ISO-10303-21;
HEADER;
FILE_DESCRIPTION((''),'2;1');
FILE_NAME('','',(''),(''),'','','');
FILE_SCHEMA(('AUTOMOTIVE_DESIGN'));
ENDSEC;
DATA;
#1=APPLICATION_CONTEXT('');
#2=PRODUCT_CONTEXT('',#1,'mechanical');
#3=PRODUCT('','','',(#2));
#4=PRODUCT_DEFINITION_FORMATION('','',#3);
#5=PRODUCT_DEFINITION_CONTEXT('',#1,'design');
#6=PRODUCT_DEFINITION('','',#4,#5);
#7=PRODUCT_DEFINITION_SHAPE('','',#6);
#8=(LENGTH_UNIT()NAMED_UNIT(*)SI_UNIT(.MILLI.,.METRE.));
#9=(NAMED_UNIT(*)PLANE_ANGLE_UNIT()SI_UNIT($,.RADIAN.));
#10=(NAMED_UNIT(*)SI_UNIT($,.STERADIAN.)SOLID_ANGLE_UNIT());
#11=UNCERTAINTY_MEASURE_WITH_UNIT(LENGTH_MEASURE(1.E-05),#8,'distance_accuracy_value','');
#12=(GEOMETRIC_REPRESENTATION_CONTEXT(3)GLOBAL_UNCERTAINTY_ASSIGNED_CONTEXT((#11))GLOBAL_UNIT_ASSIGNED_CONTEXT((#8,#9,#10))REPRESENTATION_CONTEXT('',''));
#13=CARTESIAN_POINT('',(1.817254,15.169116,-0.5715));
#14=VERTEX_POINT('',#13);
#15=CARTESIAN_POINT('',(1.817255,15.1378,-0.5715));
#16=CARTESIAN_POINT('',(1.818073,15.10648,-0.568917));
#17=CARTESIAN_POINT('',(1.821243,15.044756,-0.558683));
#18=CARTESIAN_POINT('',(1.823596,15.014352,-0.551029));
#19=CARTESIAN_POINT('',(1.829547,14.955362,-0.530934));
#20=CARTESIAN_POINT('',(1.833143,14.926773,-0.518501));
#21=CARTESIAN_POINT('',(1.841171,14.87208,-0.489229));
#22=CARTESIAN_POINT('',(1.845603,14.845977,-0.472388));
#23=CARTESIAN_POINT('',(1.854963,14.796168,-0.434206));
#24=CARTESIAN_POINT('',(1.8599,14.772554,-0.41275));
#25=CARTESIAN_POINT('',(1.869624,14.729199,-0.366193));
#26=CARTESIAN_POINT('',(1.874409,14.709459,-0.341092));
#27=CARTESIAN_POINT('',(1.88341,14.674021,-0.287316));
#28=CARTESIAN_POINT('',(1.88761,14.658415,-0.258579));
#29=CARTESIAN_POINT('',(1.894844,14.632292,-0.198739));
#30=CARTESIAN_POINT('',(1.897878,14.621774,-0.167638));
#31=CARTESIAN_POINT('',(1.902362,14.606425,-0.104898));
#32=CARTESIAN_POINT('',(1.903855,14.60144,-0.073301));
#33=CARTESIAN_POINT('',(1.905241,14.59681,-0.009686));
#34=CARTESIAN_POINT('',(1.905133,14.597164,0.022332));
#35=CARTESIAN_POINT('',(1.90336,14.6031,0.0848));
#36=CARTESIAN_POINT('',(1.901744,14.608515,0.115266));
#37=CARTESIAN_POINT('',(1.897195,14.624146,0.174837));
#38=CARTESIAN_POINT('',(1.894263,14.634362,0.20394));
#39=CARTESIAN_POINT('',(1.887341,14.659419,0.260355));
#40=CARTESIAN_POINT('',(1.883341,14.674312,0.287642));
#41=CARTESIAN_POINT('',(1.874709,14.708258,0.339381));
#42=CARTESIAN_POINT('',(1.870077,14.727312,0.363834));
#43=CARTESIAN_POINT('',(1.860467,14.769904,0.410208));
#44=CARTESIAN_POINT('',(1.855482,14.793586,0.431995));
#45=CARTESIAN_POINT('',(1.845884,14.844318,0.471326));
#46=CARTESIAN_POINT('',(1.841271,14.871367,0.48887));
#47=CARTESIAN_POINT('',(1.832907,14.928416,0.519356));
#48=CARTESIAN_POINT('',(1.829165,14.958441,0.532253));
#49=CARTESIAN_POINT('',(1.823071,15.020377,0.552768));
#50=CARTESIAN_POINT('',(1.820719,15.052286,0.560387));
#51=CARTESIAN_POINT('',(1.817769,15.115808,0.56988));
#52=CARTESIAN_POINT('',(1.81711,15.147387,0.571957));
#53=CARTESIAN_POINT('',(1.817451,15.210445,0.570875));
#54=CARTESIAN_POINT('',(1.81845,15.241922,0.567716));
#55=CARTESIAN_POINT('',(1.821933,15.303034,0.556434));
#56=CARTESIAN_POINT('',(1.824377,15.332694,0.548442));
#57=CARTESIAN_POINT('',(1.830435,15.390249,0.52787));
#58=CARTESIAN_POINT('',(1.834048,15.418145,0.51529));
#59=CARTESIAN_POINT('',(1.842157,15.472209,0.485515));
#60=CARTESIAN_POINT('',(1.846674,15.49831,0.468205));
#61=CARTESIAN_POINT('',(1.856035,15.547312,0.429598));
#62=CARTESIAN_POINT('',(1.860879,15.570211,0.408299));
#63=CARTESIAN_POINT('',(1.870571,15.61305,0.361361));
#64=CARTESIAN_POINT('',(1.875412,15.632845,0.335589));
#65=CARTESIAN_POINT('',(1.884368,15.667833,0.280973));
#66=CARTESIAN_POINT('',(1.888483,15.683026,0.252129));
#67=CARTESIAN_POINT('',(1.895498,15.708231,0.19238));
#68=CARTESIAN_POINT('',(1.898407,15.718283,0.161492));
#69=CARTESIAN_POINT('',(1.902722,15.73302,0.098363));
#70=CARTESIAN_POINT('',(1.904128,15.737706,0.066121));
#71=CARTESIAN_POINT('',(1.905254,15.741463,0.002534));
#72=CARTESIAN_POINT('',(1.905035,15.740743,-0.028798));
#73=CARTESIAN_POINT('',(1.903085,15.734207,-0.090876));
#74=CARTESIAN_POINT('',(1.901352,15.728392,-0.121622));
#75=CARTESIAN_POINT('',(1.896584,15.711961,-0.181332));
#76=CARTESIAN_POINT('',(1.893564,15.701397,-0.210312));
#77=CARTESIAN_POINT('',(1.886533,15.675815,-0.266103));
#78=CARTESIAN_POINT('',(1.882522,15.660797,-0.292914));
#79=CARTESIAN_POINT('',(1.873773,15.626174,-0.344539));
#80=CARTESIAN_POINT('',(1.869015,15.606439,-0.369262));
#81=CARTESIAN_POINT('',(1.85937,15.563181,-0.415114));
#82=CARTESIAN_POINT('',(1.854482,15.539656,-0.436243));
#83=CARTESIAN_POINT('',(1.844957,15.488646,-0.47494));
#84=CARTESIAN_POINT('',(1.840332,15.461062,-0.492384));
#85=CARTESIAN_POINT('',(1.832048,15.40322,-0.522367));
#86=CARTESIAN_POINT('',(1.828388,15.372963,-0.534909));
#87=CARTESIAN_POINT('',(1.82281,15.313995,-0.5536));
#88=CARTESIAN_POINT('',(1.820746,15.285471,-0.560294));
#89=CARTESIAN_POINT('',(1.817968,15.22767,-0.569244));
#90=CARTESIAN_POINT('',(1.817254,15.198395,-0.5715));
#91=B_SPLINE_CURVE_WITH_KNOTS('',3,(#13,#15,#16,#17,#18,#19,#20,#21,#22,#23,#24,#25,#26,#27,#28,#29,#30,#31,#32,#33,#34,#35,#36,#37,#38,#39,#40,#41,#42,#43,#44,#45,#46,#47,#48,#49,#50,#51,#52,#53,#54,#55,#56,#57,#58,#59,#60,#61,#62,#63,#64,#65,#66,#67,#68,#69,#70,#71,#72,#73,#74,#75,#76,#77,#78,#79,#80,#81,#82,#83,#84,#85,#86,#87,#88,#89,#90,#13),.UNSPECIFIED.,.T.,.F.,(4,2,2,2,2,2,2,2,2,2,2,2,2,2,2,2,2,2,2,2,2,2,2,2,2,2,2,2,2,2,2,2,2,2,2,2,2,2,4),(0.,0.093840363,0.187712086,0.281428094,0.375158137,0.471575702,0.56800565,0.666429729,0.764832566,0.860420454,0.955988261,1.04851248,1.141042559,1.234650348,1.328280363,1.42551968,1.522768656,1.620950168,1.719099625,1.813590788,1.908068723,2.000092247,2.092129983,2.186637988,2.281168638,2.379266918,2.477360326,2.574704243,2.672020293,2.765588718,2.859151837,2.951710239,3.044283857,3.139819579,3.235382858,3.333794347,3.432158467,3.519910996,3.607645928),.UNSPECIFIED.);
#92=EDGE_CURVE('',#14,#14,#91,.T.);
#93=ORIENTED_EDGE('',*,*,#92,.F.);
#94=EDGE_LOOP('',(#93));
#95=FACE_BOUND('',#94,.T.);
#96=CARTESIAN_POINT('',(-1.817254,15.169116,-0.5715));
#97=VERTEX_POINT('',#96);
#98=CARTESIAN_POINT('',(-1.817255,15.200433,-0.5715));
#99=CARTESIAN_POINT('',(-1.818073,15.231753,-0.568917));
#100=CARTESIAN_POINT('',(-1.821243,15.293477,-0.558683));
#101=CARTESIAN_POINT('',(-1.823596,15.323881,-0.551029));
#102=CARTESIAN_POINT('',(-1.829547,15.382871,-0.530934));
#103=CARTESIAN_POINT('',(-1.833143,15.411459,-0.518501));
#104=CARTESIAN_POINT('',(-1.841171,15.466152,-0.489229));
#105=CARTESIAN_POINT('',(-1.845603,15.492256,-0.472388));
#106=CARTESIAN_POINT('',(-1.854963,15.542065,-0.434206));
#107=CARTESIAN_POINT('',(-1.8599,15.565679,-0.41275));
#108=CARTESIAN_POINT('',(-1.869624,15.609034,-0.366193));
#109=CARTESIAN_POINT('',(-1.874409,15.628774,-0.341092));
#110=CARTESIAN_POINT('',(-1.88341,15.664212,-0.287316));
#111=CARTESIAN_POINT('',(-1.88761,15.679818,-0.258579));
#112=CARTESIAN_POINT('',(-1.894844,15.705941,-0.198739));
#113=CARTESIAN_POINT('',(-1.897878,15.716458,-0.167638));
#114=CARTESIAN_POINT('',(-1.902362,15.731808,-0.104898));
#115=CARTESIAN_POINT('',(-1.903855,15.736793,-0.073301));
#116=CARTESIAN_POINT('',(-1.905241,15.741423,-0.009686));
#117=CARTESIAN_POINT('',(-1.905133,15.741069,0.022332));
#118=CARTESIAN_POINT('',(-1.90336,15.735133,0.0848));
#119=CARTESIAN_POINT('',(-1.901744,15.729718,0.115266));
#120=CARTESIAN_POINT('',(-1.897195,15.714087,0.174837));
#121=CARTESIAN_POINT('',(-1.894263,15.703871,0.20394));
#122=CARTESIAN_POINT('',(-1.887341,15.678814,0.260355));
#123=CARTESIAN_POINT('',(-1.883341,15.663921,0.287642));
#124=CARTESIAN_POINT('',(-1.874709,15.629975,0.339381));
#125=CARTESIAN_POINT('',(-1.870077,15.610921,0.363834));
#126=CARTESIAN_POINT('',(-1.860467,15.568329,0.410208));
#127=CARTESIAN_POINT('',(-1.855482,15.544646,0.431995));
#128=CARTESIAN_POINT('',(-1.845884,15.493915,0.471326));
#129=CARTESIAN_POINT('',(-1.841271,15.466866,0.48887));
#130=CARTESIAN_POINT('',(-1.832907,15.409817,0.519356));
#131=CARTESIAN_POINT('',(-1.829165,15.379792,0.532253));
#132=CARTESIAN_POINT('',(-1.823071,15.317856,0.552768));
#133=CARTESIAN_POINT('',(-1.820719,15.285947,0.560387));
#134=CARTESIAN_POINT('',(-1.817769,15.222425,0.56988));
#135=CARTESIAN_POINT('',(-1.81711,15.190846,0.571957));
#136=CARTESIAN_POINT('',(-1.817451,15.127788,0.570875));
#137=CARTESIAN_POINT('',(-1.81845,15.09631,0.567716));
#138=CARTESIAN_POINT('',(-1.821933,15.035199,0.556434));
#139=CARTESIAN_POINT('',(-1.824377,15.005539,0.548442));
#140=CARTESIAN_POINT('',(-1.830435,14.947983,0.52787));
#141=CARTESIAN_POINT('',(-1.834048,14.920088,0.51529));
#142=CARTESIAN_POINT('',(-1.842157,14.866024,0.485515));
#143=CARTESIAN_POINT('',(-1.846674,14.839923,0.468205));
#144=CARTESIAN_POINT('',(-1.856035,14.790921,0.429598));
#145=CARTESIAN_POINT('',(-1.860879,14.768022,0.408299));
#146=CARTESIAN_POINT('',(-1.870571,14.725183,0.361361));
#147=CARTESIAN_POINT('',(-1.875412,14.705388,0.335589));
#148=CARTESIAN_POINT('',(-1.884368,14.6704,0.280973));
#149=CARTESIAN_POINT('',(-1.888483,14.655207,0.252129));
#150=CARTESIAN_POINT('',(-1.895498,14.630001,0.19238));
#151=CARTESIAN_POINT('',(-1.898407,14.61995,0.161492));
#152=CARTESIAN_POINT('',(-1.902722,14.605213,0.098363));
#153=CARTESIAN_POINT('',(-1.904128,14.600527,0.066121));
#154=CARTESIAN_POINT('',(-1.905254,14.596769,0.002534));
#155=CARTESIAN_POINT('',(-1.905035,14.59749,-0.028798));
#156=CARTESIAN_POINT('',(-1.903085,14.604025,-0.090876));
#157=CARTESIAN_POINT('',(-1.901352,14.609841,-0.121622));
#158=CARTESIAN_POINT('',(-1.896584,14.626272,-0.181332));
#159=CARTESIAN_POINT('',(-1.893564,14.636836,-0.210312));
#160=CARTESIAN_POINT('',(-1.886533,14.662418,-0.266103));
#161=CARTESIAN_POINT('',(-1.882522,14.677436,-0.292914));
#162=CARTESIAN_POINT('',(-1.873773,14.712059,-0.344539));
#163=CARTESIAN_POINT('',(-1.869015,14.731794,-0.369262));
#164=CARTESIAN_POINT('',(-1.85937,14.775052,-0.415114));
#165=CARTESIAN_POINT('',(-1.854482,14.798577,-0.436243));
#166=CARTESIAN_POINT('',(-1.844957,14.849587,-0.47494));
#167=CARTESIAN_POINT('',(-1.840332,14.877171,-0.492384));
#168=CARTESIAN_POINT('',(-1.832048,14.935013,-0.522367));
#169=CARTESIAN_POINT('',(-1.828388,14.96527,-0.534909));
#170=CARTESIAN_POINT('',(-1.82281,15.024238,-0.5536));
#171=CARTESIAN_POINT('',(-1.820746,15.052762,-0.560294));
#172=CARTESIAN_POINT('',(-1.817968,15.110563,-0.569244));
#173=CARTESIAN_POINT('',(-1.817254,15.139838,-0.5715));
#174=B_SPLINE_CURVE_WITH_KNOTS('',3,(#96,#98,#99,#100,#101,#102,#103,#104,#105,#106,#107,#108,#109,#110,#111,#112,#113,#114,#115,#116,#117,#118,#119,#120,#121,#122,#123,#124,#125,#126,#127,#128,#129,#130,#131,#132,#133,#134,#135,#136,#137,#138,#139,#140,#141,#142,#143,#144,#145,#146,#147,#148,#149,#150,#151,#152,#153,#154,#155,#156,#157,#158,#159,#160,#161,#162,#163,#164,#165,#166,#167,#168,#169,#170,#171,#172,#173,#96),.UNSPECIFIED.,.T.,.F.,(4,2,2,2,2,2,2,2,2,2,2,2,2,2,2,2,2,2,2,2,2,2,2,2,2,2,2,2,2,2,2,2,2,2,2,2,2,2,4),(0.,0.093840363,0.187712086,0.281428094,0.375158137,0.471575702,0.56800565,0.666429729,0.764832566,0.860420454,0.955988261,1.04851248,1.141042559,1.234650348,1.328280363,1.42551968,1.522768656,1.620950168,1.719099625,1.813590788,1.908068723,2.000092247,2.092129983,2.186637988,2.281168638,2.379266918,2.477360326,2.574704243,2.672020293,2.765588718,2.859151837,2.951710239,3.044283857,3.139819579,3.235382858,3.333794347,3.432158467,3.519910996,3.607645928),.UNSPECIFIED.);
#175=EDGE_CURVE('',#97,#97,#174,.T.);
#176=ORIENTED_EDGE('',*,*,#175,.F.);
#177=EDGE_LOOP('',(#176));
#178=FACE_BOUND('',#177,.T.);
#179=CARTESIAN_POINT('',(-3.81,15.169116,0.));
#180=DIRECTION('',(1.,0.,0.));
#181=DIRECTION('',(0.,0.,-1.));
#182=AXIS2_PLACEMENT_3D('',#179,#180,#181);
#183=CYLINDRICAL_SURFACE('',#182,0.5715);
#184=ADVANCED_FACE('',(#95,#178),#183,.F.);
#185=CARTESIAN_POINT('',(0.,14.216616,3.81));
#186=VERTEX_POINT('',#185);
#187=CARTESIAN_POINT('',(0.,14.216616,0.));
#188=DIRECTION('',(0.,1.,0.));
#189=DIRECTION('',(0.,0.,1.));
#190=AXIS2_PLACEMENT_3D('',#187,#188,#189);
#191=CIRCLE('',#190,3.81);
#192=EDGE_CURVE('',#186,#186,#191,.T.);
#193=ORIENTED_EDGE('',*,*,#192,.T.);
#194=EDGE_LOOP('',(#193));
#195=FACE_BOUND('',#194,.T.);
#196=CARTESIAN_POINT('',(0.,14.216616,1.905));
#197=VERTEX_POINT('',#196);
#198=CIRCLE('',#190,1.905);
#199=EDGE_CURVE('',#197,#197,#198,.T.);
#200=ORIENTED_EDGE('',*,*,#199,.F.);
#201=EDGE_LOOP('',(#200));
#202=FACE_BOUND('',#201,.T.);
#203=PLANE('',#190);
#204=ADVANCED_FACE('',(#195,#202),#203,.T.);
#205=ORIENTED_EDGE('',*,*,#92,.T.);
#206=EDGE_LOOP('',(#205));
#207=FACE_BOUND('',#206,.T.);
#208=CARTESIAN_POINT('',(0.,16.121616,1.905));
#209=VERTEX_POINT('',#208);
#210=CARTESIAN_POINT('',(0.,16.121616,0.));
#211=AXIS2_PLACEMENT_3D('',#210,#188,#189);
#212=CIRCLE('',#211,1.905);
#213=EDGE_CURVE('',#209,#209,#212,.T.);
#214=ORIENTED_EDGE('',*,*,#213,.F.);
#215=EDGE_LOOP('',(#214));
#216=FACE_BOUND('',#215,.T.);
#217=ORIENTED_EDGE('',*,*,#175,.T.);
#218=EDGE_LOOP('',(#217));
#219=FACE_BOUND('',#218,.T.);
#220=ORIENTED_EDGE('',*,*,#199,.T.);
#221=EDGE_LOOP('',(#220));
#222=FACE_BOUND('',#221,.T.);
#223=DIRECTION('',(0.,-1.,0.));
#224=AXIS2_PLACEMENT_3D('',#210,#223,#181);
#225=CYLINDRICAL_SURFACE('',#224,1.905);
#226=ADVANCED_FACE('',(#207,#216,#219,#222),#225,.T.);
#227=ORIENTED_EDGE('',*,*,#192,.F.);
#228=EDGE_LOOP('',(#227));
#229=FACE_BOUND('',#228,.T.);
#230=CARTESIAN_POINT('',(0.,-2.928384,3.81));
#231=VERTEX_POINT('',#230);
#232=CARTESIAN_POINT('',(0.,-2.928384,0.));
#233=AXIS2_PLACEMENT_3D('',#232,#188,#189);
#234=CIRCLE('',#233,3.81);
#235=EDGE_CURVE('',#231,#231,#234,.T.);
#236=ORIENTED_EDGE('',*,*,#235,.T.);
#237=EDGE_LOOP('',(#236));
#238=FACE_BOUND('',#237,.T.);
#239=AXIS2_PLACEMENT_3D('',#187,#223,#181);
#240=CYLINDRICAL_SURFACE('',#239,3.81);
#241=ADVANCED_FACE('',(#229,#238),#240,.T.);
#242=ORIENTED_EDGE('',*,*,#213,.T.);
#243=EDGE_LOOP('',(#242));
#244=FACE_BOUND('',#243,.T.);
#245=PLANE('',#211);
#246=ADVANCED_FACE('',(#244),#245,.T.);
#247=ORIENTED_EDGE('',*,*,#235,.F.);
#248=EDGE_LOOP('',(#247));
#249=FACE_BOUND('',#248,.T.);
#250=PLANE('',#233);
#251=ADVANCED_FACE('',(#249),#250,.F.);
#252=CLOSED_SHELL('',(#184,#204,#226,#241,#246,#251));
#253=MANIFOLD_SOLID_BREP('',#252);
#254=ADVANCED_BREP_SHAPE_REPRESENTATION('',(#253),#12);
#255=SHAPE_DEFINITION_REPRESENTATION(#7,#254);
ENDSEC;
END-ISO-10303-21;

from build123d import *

# Parameters (mm, degrees)
SKETCH1_R               = 2.54
BOSS_EXTRUDE1_DEPTH     = 11.43
SKETCH2_R               = 1.27
BOSS_EXTRUDE2_DEPTH     = 1.27
CUT_EXTRUDE1_DEPTH      = 14.198227154
CUT_EXTRUDE1_DEPTH_BACK = 14.198227154
SKETCH3_R               = 0.381
SCALE1_SCALE            = 1.5


with BuildPart() as part:
    # Sketch1 → Boss-Extrude1 (new body)
    with BuildSketch(Plane(origin=(0, 0, 0), x_dir=(1, 0, 0), z_dir=(0, 1, 0))):
        with Locations(Location((0, 0, 0), (0, 0, 270))):
            Circle(SKETCH1_R)
    extrude(amount=BOSS_EXTRUDE1_DEPTH)

    # Sketch2 → Boss-Extrude2 (add)
    with BuildSketch(Plane(origin=(0, 11.43, 0), x_dir=(1, 0, 0), z_dir=(0, 1, 0))):
        with Locations(Location((0, 0, 0), (0, 0, 270))):
            Circle(SKETCH2_R)
    extrude(amount=BOSS_EXTRUDE2_DEPTH)

    # Sketch3 → Cut-Extrude1 (cut, two sides: drawn at the far end of the back side and taken through both)
    with BuildSketch(Plane(origin=(0, 0, 0), x_dir=(0, 0, -1), z_dir=(1, 0, 0)).offset(-CUT_EXTRUDE1_DEPTH_BACK)):
        with Locations((0, 12.065)):
            Circle(SKETCH3_R)
    extrude(amount=CUT_EXTRUDE1_DEPTH + CUT_EXTRUDE1_DEPTH_BACK, mode=Mode.SUBTRACT)


with BuildPart() as part_1:
    # Scale1: scaled about (0, 5.856765052, -1.11e-07)
    add(part.part.scale(SCALE1_SCALE).moved(Location((0, -2.928382526, 5.6e-08))))


solid = part_1.part
